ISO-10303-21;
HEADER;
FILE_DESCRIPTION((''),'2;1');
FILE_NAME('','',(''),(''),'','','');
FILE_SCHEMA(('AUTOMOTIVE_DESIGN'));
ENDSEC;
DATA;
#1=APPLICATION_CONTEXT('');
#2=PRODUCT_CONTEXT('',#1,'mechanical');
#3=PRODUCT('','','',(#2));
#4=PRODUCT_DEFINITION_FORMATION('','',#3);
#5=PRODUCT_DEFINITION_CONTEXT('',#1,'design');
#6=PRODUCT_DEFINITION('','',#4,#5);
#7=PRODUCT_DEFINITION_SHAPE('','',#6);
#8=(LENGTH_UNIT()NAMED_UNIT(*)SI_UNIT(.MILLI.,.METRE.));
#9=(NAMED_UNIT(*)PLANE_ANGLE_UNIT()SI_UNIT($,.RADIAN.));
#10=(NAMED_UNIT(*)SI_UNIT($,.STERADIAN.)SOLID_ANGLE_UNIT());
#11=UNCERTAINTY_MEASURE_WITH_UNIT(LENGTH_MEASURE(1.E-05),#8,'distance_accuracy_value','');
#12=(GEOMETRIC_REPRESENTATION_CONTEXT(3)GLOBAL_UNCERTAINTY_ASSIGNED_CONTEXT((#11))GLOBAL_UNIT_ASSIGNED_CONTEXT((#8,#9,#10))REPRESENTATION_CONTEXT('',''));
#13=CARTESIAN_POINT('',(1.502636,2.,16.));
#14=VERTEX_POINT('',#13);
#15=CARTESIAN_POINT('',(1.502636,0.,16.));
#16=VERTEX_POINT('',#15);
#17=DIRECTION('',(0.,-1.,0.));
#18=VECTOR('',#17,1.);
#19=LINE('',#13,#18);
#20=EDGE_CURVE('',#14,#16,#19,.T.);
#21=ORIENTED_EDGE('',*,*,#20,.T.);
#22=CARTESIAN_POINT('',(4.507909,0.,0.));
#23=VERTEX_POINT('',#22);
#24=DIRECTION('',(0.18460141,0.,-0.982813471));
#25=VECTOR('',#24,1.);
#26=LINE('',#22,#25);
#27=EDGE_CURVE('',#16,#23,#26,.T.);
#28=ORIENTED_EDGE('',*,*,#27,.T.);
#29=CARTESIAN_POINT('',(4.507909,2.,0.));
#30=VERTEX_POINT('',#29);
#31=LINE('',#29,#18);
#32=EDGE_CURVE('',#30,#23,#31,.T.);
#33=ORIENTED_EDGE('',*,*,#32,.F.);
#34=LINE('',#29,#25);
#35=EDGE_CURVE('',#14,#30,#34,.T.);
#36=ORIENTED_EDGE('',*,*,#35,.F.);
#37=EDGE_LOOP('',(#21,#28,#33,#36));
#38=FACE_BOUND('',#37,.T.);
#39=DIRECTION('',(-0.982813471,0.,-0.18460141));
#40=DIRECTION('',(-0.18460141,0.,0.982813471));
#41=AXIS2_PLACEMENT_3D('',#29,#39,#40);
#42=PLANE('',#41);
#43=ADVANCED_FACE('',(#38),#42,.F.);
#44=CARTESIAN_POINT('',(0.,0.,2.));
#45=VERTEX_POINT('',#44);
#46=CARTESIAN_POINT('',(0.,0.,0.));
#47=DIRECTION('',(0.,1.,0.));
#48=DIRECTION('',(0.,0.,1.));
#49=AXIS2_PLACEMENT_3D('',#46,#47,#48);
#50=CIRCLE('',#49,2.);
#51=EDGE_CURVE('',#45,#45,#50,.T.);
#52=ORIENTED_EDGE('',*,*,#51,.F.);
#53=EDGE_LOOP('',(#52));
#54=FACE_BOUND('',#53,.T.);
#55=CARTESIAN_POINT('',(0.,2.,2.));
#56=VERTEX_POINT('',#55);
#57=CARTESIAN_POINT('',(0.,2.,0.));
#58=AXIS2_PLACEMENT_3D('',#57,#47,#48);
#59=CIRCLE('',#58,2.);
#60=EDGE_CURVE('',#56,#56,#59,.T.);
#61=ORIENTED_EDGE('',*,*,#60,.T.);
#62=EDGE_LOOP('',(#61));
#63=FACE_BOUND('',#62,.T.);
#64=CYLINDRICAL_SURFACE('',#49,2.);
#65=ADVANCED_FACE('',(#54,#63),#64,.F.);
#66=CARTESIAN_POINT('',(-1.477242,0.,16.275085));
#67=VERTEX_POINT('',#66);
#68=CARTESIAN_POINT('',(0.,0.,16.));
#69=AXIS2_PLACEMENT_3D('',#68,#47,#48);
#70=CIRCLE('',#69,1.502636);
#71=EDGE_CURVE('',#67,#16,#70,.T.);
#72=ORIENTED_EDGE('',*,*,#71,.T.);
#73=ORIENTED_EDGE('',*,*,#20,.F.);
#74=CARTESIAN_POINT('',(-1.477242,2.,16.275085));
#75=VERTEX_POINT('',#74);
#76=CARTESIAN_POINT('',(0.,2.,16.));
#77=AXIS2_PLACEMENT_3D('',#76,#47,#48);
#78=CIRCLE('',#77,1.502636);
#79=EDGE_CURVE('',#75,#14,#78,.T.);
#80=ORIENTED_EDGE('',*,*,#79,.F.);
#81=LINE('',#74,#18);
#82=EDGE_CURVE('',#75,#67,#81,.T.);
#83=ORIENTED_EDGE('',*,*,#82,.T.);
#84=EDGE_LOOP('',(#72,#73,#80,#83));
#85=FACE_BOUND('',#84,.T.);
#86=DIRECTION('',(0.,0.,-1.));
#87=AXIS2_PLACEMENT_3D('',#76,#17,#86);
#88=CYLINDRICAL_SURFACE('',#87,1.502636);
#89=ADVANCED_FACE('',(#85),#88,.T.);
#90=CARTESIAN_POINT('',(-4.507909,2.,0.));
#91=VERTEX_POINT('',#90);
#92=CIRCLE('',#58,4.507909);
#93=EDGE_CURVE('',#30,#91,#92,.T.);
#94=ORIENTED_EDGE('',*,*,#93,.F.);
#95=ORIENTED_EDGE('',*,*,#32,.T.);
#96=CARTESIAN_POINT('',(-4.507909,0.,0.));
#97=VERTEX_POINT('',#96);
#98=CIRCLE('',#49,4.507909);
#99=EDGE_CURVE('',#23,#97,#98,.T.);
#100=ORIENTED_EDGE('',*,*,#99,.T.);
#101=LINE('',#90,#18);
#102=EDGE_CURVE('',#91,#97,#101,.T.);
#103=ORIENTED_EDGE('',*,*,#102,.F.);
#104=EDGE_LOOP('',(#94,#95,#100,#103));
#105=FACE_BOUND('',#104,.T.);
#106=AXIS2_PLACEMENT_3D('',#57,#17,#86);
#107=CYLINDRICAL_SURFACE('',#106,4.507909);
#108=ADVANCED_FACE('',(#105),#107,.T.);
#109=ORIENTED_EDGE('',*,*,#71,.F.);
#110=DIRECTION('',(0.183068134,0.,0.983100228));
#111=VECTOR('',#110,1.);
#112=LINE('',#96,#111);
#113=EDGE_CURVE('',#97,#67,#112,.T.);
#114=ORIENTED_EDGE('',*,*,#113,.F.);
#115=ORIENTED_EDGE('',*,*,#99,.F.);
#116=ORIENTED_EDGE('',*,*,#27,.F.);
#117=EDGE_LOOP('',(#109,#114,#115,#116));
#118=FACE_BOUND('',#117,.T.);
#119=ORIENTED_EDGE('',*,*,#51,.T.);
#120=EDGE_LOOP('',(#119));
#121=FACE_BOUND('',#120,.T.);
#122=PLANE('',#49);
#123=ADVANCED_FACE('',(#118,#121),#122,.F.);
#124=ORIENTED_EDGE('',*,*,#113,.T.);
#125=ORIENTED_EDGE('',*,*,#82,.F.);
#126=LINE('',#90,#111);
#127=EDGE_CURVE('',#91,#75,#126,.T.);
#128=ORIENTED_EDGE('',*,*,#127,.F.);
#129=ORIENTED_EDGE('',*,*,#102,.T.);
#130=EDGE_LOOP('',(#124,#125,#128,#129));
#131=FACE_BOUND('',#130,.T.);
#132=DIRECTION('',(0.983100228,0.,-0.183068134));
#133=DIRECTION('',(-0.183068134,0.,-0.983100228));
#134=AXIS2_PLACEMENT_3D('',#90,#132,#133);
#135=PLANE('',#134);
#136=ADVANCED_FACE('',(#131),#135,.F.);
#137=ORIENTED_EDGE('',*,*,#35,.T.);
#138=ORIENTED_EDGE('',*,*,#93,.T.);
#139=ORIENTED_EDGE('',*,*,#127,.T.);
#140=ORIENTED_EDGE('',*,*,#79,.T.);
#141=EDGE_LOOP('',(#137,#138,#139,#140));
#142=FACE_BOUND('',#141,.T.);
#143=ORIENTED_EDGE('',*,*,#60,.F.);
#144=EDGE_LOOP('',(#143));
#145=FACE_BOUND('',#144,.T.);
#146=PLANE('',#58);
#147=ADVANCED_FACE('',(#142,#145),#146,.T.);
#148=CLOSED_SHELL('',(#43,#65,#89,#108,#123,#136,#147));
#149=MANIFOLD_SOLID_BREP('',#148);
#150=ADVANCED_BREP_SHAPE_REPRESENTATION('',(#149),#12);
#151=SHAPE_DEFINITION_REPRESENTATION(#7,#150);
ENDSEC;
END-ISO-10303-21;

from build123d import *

# Parameters (mm, degrees)
EXTRUDE_1_DEPTH     = 2
SKETCH_2_R          = 2
CUT_EXTRUDE_1_DEPTH = 2


with BuildPart() as part:
    # 草图1 → 凸台-拉伸1 (new body)
    with BuildSketch(Plane(origin=(0, 0, 0), x_dir=(1, 0, 0), z_dir=(0, 1, 0))):
        with BuildLine():
            Line((-4.507909161, 0), (-1.477242174, -16.275084839))
            ThreePointArc((-1.477242174, -16.275084839), (0.138127237, -17.496274365), (1.502636386, -16))
            Line((1.502636386, -16), (4.507909161, 0))
            ThreePointArc((4.507909161, 0), (0, 4.507909161), (-4.507909161, 0))
        make_face()
    extrude(amount=EXTRUDE_1_DEPTH)

    # 草图2 → 切除-拉伸1 (cut)
    with BuildSketch(Plane(origin=(0, 2, 0), x_dir=(1, 0, 0), z_dir=(0, 1, 0))):
        Circle(SKETCH_2_R)
    extrude(amount=-CUT_EXTRUDE_1_DEPTH, mode=Mode.SUBTRACT)


solid = part.part
